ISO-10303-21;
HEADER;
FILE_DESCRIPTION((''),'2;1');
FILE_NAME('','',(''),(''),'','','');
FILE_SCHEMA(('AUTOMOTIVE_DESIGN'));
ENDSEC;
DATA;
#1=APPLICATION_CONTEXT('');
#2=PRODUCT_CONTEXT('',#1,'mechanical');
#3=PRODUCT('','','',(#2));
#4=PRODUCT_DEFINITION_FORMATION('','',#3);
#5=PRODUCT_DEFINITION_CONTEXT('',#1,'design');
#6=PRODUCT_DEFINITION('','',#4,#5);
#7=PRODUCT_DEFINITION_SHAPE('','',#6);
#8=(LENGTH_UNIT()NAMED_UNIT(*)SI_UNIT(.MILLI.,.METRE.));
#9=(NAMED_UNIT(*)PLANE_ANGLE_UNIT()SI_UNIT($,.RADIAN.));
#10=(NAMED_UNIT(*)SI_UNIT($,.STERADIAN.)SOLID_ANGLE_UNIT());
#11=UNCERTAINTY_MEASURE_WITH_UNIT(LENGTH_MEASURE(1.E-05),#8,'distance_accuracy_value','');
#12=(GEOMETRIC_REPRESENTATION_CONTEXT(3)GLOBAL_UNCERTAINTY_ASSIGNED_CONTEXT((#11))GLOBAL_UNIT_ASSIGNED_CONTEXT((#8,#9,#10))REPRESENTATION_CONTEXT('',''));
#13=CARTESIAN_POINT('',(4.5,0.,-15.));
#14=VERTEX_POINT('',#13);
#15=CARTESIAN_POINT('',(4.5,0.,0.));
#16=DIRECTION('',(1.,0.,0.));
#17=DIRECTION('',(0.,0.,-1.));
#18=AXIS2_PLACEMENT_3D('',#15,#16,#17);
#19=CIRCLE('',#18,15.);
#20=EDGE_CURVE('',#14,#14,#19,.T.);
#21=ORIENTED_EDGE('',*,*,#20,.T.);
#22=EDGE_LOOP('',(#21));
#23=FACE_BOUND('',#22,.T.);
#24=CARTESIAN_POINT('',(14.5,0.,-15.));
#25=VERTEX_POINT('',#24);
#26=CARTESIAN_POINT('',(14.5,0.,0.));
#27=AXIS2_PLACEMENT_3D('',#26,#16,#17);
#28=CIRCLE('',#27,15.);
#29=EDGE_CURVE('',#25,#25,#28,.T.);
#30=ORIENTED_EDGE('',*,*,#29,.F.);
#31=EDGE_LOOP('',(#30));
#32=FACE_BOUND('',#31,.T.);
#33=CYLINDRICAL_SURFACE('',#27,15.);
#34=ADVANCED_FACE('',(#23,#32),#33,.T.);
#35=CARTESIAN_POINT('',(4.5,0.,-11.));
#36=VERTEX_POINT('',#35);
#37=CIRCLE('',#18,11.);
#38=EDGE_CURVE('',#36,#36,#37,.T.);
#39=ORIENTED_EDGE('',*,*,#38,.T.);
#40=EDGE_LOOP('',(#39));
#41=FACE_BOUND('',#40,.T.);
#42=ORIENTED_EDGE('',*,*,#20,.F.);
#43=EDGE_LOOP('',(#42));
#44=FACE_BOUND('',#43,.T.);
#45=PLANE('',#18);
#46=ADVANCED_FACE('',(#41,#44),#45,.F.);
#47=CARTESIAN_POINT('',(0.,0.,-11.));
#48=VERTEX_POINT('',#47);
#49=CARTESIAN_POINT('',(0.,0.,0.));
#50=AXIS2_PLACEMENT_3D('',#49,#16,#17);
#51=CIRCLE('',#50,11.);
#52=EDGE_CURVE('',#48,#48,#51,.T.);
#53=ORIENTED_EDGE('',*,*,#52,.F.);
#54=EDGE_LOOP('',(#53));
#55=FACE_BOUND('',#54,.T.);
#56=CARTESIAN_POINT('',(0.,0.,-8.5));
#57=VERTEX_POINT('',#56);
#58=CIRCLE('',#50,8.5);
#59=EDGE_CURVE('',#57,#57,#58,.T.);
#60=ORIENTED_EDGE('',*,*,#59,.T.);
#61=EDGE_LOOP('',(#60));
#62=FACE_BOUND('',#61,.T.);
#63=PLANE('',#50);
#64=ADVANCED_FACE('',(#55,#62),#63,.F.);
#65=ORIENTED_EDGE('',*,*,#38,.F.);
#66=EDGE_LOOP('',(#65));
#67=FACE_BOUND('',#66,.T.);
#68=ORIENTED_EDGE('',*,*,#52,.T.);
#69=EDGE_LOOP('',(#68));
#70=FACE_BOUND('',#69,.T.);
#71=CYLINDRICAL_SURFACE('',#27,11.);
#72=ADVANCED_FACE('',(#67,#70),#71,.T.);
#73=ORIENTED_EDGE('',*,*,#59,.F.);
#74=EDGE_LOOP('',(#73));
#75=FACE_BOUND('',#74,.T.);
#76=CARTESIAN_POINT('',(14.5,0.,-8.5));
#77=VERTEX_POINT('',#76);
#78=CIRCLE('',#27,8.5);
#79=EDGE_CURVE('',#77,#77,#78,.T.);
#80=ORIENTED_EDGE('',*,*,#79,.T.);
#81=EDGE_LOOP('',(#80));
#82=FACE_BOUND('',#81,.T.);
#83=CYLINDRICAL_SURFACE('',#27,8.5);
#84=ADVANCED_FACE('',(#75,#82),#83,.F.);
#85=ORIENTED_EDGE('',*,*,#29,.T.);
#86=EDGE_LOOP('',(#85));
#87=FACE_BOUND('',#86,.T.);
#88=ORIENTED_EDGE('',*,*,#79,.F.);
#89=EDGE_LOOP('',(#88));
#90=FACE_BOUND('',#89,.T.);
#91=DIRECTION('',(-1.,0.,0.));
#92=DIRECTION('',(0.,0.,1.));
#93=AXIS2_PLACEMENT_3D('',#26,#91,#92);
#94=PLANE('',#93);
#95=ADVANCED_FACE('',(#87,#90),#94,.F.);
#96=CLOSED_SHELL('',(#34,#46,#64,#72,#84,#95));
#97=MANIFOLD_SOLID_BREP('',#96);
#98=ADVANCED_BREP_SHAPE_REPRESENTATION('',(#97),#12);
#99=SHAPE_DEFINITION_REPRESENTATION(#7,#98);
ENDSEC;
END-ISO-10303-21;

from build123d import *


with BuildPart() as part:
    # Sketch1 → Revolve1 (revolve)
    with BuildSketch(Plane.XY):
        Polygon((0, 11), (0, 8.5), (14.5, 8.5), (14.5, 15), (4.5, 15), (4.5, 11), align=None)
    revolve(axis=Axis((14.5, 0, 0), (-1, 0, 0)))


solid = part.part
